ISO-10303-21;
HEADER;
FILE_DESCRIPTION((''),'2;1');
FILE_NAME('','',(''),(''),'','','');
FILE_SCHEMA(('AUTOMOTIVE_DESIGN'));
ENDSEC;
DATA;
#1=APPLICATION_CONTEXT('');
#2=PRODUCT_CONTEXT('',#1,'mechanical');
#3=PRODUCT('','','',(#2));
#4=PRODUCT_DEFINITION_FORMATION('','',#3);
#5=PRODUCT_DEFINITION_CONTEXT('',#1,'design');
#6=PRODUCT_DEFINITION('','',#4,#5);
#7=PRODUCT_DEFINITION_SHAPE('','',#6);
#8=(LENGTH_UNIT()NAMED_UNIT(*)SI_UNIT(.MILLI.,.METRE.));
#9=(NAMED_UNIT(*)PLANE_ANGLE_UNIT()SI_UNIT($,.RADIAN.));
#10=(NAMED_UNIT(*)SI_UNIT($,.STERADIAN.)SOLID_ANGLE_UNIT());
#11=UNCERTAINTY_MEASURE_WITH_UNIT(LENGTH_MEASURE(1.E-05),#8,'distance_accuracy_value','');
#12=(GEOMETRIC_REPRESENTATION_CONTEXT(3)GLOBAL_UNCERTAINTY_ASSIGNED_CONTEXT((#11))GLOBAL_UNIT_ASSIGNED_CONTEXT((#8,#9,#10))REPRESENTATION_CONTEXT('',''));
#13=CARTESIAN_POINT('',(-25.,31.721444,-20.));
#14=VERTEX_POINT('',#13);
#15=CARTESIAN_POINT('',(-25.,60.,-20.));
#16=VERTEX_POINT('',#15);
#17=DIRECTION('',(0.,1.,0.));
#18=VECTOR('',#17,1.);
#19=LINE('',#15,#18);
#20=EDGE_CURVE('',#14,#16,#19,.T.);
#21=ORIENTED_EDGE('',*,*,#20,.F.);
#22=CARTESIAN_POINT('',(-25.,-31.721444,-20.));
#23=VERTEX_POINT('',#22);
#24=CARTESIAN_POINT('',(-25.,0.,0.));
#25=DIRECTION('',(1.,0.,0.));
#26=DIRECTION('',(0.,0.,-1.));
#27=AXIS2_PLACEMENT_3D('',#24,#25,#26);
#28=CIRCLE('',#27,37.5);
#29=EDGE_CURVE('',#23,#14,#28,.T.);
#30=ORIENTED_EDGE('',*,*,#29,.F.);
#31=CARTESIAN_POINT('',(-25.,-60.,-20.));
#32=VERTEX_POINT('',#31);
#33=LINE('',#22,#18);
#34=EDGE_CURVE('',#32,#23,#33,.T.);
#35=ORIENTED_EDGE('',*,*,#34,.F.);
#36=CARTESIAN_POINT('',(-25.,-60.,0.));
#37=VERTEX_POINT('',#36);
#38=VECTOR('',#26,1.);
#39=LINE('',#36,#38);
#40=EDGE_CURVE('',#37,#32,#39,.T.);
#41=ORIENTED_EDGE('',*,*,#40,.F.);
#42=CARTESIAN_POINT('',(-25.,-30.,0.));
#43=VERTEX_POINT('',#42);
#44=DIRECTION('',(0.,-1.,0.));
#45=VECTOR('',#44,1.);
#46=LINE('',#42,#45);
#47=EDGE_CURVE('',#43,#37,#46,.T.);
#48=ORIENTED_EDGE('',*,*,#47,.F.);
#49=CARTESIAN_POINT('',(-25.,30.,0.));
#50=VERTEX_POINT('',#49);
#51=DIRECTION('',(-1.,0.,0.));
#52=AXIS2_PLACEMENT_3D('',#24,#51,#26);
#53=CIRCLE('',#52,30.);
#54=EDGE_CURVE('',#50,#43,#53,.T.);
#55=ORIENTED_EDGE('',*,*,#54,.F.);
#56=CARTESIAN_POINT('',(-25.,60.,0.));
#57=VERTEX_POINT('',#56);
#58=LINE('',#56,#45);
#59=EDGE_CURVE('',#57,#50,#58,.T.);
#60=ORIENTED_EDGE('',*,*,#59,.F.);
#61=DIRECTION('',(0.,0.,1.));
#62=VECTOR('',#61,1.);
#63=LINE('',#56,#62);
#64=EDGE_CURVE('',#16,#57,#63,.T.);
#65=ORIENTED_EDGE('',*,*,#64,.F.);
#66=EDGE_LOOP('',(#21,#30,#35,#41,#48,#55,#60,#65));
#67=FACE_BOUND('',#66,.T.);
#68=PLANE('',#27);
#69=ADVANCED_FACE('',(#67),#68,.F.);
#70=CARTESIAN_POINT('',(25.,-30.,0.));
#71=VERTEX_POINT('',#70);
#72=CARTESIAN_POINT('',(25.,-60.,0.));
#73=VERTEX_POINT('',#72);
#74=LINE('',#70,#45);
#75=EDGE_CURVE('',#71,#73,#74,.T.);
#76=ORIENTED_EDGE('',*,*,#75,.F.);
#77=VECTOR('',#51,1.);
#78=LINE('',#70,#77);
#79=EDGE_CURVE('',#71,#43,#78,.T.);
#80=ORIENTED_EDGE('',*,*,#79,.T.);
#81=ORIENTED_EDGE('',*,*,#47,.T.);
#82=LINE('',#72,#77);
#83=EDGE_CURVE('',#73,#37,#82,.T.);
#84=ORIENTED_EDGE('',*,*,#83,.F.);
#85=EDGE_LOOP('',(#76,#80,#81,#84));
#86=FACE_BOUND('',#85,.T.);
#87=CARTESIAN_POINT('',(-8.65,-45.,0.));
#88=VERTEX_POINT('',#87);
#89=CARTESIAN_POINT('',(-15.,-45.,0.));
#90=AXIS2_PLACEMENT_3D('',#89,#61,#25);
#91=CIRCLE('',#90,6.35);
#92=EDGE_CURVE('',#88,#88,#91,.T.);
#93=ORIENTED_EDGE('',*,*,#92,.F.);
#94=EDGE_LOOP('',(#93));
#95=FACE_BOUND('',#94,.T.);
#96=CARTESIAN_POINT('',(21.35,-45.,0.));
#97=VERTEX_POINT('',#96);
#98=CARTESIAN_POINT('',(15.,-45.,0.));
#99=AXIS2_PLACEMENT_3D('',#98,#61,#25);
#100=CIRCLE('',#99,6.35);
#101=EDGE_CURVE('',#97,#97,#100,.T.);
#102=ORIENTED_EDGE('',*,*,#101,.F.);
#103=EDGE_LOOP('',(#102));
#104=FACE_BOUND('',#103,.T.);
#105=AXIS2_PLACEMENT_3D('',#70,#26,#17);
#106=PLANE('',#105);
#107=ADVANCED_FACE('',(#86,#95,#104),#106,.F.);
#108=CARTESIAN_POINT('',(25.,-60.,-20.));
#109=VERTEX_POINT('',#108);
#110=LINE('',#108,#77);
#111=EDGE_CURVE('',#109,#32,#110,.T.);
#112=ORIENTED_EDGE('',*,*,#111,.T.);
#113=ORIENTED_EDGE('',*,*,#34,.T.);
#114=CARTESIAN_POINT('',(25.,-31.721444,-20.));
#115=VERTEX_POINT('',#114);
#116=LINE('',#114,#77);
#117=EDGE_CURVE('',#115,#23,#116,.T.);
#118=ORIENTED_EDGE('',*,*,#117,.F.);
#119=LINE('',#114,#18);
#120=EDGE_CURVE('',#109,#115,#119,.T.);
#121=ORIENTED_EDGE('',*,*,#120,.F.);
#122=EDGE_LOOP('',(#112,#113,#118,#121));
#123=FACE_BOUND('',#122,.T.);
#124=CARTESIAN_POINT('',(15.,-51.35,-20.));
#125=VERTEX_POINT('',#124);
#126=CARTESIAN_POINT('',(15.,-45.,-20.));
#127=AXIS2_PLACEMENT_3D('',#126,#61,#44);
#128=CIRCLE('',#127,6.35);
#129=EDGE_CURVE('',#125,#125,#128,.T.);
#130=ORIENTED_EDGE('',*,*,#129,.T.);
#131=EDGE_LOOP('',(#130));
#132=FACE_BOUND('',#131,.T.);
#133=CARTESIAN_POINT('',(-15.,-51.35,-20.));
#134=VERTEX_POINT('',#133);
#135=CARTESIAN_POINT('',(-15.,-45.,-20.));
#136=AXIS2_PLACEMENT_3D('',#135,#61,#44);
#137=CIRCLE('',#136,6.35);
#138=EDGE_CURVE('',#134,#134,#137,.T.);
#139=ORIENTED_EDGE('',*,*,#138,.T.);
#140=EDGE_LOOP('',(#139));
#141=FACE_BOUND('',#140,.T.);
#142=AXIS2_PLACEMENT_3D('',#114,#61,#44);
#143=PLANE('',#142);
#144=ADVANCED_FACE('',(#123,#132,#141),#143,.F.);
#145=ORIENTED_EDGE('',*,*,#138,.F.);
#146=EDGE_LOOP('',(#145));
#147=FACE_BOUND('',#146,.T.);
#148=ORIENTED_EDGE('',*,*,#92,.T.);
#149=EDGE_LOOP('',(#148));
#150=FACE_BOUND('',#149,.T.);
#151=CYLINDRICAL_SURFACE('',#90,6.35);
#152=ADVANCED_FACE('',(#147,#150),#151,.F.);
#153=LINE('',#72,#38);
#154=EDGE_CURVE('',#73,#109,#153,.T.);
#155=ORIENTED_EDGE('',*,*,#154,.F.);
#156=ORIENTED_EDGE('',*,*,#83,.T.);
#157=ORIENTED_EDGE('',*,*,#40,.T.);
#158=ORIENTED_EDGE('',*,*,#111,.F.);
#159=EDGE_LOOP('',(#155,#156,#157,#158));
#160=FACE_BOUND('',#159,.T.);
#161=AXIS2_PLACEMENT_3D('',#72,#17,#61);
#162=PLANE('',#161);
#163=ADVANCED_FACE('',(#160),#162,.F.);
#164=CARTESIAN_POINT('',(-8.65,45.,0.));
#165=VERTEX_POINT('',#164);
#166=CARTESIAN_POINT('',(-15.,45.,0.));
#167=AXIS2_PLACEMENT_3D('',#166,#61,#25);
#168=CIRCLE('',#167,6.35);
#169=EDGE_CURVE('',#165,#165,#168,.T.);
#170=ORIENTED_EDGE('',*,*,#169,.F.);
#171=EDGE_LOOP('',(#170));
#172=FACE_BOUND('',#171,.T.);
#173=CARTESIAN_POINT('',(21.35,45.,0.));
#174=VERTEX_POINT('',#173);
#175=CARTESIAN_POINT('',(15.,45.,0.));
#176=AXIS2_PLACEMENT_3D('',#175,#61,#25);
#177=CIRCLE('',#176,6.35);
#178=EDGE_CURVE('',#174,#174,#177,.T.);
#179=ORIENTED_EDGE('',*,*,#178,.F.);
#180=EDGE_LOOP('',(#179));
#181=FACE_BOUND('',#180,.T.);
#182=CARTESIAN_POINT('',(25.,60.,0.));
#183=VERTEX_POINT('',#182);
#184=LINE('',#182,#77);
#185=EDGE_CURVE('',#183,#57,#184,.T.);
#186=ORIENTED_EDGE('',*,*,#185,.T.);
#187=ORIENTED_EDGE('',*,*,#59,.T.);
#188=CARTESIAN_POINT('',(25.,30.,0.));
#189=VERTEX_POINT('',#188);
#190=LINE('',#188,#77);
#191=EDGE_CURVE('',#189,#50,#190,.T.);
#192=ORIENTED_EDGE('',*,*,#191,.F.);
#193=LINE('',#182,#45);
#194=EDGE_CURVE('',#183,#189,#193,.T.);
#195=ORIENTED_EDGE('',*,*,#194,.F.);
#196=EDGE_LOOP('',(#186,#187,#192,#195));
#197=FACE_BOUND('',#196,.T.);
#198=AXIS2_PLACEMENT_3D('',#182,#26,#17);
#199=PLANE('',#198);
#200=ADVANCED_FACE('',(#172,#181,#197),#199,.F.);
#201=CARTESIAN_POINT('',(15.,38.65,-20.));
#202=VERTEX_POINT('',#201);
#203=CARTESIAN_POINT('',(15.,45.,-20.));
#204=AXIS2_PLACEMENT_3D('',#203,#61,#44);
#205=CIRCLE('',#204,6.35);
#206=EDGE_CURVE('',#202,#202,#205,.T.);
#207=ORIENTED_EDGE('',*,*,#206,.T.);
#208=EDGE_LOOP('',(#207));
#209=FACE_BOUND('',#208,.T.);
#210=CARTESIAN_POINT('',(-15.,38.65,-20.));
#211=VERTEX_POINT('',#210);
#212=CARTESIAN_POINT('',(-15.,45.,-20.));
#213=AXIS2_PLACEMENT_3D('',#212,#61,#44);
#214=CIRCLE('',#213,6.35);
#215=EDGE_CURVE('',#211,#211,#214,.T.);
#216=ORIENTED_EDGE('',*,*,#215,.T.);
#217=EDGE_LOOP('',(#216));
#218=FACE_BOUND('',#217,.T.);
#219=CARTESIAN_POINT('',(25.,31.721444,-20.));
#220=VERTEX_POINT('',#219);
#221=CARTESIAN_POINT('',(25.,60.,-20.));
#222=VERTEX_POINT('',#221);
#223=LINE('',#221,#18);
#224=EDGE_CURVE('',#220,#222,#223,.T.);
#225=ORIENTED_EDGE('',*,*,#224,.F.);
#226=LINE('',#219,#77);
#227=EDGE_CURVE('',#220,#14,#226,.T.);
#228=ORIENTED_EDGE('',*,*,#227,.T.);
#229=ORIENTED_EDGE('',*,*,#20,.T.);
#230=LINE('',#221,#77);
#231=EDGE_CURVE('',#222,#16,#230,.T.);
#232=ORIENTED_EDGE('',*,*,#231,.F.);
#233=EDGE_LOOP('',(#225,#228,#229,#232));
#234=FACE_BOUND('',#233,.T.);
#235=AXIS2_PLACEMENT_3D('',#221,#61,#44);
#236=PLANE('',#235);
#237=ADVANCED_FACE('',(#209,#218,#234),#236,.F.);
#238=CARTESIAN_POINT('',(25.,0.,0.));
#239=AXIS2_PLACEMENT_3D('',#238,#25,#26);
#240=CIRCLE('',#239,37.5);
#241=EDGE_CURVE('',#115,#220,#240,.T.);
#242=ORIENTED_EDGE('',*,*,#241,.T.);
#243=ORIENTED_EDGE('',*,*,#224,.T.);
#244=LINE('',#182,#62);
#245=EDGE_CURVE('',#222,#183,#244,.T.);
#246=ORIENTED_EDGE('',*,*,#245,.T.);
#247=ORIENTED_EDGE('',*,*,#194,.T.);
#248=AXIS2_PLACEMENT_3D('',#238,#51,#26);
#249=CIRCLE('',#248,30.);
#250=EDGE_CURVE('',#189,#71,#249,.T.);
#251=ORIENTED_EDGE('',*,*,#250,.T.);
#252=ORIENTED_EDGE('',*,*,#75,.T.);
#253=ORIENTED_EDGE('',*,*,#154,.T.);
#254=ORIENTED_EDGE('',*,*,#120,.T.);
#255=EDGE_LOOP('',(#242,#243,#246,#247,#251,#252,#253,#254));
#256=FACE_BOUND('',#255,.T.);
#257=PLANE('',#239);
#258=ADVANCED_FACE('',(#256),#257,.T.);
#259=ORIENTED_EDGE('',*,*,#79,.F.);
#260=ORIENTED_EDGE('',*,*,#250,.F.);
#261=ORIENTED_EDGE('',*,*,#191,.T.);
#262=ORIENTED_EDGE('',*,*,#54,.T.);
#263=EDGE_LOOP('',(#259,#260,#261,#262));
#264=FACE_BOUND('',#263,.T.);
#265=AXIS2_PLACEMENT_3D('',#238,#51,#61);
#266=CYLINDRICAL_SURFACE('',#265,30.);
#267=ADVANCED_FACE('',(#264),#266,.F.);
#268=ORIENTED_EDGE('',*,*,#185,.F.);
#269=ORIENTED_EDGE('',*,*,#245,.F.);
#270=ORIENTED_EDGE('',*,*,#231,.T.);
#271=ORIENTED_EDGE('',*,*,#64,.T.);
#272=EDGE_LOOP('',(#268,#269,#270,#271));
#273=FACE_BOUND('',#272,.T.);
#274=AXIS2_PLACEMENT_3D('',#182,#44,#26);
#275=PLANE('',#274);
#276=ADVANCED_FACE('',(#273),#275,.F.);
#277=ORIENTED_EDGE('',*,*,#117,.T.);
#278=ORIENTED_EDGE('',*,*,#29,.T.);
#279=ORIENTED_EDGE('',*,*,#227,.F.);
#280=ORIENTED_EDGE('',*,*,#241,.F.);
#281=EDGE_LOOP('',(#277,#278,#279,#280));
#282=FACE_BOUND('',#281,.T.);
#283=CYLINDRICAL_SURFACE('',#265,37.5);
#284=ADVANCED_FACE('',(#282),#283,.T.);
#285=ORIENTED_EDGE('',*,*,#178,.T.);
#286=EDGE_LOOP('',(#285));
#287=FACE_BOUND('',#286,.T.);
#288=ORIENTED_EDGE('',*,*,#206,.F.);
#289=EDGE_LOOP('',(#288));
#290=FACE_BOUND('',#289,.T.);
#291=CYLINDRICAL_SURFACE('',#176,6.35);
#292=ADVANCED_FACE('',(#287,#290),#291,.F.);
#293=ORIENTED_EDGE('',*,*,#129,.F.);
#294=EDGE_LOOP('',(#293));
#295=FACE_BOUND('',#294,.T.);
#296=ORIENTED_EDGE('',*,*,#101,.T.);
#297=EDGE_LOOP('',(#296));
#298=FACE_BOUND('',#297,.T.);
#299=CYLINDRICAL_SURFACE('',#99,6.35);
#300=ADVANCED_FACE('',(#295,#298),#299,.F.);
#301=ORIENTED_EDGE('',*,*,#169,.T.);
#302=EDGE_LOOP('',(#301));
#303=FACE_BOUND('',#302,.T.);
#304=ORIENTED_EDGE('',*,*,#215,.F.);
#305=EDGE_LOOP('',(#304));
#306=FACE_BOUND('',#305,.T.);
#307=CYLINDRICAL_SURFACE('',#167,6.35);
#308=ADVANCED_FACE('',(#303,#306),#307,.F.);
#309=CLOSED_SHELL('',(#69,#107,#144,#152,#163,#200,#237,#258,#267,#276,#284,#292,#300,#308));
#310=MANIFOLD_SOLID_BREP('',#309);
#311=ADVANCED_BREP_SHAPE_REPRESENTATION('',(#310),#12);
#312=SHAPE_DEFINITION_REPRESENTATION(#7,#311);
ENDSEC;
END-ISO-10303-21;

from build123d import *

# Parameters (mm, degrees)
BOSS_EXTRUDE1_DEPTH        = 25
F_1_2_0_5_DIAMETER_HOLE1_D = 12.7


with BuildPart() as part:
    # Sketch1 → Boss-Extrude1 (new, symmetric)
    with BuildSketch(Plane(origin=(0, 0, 0), x_dir=(0, 0, -1), z_dir=(1, 0, 0))):
        with BuildLine():
            Line((0, -30), (0, -60))
            Line((0, -60), (20, -60))
            Line((20, -60), (20, -31.721443851))
            ThreePointArc((20, -31.721443851), (37.5, 0), (20, 31.721443851))
            Line((20, 31.721443851), (20, 60))
            Line((20, 60), (0, 60))
            Line((0, 60), (0, 30))
            ThreePointArc((0, 30), (30, 0), (0, -30))
        make_face()
    extrude(amount=BOSS_EXTRUDE1_DEPTH, both=True)

    # 1/2 (0.5) Diameter Hole1 (through all)
    with Locations(Plane.XY):
        with Locations((-15, 45), (15, 45), (15, -45), (-15, -45)):
            Hole(F_1_2_0_5_DIAMETER_HOLE1_D / 2)


solid = part.part
